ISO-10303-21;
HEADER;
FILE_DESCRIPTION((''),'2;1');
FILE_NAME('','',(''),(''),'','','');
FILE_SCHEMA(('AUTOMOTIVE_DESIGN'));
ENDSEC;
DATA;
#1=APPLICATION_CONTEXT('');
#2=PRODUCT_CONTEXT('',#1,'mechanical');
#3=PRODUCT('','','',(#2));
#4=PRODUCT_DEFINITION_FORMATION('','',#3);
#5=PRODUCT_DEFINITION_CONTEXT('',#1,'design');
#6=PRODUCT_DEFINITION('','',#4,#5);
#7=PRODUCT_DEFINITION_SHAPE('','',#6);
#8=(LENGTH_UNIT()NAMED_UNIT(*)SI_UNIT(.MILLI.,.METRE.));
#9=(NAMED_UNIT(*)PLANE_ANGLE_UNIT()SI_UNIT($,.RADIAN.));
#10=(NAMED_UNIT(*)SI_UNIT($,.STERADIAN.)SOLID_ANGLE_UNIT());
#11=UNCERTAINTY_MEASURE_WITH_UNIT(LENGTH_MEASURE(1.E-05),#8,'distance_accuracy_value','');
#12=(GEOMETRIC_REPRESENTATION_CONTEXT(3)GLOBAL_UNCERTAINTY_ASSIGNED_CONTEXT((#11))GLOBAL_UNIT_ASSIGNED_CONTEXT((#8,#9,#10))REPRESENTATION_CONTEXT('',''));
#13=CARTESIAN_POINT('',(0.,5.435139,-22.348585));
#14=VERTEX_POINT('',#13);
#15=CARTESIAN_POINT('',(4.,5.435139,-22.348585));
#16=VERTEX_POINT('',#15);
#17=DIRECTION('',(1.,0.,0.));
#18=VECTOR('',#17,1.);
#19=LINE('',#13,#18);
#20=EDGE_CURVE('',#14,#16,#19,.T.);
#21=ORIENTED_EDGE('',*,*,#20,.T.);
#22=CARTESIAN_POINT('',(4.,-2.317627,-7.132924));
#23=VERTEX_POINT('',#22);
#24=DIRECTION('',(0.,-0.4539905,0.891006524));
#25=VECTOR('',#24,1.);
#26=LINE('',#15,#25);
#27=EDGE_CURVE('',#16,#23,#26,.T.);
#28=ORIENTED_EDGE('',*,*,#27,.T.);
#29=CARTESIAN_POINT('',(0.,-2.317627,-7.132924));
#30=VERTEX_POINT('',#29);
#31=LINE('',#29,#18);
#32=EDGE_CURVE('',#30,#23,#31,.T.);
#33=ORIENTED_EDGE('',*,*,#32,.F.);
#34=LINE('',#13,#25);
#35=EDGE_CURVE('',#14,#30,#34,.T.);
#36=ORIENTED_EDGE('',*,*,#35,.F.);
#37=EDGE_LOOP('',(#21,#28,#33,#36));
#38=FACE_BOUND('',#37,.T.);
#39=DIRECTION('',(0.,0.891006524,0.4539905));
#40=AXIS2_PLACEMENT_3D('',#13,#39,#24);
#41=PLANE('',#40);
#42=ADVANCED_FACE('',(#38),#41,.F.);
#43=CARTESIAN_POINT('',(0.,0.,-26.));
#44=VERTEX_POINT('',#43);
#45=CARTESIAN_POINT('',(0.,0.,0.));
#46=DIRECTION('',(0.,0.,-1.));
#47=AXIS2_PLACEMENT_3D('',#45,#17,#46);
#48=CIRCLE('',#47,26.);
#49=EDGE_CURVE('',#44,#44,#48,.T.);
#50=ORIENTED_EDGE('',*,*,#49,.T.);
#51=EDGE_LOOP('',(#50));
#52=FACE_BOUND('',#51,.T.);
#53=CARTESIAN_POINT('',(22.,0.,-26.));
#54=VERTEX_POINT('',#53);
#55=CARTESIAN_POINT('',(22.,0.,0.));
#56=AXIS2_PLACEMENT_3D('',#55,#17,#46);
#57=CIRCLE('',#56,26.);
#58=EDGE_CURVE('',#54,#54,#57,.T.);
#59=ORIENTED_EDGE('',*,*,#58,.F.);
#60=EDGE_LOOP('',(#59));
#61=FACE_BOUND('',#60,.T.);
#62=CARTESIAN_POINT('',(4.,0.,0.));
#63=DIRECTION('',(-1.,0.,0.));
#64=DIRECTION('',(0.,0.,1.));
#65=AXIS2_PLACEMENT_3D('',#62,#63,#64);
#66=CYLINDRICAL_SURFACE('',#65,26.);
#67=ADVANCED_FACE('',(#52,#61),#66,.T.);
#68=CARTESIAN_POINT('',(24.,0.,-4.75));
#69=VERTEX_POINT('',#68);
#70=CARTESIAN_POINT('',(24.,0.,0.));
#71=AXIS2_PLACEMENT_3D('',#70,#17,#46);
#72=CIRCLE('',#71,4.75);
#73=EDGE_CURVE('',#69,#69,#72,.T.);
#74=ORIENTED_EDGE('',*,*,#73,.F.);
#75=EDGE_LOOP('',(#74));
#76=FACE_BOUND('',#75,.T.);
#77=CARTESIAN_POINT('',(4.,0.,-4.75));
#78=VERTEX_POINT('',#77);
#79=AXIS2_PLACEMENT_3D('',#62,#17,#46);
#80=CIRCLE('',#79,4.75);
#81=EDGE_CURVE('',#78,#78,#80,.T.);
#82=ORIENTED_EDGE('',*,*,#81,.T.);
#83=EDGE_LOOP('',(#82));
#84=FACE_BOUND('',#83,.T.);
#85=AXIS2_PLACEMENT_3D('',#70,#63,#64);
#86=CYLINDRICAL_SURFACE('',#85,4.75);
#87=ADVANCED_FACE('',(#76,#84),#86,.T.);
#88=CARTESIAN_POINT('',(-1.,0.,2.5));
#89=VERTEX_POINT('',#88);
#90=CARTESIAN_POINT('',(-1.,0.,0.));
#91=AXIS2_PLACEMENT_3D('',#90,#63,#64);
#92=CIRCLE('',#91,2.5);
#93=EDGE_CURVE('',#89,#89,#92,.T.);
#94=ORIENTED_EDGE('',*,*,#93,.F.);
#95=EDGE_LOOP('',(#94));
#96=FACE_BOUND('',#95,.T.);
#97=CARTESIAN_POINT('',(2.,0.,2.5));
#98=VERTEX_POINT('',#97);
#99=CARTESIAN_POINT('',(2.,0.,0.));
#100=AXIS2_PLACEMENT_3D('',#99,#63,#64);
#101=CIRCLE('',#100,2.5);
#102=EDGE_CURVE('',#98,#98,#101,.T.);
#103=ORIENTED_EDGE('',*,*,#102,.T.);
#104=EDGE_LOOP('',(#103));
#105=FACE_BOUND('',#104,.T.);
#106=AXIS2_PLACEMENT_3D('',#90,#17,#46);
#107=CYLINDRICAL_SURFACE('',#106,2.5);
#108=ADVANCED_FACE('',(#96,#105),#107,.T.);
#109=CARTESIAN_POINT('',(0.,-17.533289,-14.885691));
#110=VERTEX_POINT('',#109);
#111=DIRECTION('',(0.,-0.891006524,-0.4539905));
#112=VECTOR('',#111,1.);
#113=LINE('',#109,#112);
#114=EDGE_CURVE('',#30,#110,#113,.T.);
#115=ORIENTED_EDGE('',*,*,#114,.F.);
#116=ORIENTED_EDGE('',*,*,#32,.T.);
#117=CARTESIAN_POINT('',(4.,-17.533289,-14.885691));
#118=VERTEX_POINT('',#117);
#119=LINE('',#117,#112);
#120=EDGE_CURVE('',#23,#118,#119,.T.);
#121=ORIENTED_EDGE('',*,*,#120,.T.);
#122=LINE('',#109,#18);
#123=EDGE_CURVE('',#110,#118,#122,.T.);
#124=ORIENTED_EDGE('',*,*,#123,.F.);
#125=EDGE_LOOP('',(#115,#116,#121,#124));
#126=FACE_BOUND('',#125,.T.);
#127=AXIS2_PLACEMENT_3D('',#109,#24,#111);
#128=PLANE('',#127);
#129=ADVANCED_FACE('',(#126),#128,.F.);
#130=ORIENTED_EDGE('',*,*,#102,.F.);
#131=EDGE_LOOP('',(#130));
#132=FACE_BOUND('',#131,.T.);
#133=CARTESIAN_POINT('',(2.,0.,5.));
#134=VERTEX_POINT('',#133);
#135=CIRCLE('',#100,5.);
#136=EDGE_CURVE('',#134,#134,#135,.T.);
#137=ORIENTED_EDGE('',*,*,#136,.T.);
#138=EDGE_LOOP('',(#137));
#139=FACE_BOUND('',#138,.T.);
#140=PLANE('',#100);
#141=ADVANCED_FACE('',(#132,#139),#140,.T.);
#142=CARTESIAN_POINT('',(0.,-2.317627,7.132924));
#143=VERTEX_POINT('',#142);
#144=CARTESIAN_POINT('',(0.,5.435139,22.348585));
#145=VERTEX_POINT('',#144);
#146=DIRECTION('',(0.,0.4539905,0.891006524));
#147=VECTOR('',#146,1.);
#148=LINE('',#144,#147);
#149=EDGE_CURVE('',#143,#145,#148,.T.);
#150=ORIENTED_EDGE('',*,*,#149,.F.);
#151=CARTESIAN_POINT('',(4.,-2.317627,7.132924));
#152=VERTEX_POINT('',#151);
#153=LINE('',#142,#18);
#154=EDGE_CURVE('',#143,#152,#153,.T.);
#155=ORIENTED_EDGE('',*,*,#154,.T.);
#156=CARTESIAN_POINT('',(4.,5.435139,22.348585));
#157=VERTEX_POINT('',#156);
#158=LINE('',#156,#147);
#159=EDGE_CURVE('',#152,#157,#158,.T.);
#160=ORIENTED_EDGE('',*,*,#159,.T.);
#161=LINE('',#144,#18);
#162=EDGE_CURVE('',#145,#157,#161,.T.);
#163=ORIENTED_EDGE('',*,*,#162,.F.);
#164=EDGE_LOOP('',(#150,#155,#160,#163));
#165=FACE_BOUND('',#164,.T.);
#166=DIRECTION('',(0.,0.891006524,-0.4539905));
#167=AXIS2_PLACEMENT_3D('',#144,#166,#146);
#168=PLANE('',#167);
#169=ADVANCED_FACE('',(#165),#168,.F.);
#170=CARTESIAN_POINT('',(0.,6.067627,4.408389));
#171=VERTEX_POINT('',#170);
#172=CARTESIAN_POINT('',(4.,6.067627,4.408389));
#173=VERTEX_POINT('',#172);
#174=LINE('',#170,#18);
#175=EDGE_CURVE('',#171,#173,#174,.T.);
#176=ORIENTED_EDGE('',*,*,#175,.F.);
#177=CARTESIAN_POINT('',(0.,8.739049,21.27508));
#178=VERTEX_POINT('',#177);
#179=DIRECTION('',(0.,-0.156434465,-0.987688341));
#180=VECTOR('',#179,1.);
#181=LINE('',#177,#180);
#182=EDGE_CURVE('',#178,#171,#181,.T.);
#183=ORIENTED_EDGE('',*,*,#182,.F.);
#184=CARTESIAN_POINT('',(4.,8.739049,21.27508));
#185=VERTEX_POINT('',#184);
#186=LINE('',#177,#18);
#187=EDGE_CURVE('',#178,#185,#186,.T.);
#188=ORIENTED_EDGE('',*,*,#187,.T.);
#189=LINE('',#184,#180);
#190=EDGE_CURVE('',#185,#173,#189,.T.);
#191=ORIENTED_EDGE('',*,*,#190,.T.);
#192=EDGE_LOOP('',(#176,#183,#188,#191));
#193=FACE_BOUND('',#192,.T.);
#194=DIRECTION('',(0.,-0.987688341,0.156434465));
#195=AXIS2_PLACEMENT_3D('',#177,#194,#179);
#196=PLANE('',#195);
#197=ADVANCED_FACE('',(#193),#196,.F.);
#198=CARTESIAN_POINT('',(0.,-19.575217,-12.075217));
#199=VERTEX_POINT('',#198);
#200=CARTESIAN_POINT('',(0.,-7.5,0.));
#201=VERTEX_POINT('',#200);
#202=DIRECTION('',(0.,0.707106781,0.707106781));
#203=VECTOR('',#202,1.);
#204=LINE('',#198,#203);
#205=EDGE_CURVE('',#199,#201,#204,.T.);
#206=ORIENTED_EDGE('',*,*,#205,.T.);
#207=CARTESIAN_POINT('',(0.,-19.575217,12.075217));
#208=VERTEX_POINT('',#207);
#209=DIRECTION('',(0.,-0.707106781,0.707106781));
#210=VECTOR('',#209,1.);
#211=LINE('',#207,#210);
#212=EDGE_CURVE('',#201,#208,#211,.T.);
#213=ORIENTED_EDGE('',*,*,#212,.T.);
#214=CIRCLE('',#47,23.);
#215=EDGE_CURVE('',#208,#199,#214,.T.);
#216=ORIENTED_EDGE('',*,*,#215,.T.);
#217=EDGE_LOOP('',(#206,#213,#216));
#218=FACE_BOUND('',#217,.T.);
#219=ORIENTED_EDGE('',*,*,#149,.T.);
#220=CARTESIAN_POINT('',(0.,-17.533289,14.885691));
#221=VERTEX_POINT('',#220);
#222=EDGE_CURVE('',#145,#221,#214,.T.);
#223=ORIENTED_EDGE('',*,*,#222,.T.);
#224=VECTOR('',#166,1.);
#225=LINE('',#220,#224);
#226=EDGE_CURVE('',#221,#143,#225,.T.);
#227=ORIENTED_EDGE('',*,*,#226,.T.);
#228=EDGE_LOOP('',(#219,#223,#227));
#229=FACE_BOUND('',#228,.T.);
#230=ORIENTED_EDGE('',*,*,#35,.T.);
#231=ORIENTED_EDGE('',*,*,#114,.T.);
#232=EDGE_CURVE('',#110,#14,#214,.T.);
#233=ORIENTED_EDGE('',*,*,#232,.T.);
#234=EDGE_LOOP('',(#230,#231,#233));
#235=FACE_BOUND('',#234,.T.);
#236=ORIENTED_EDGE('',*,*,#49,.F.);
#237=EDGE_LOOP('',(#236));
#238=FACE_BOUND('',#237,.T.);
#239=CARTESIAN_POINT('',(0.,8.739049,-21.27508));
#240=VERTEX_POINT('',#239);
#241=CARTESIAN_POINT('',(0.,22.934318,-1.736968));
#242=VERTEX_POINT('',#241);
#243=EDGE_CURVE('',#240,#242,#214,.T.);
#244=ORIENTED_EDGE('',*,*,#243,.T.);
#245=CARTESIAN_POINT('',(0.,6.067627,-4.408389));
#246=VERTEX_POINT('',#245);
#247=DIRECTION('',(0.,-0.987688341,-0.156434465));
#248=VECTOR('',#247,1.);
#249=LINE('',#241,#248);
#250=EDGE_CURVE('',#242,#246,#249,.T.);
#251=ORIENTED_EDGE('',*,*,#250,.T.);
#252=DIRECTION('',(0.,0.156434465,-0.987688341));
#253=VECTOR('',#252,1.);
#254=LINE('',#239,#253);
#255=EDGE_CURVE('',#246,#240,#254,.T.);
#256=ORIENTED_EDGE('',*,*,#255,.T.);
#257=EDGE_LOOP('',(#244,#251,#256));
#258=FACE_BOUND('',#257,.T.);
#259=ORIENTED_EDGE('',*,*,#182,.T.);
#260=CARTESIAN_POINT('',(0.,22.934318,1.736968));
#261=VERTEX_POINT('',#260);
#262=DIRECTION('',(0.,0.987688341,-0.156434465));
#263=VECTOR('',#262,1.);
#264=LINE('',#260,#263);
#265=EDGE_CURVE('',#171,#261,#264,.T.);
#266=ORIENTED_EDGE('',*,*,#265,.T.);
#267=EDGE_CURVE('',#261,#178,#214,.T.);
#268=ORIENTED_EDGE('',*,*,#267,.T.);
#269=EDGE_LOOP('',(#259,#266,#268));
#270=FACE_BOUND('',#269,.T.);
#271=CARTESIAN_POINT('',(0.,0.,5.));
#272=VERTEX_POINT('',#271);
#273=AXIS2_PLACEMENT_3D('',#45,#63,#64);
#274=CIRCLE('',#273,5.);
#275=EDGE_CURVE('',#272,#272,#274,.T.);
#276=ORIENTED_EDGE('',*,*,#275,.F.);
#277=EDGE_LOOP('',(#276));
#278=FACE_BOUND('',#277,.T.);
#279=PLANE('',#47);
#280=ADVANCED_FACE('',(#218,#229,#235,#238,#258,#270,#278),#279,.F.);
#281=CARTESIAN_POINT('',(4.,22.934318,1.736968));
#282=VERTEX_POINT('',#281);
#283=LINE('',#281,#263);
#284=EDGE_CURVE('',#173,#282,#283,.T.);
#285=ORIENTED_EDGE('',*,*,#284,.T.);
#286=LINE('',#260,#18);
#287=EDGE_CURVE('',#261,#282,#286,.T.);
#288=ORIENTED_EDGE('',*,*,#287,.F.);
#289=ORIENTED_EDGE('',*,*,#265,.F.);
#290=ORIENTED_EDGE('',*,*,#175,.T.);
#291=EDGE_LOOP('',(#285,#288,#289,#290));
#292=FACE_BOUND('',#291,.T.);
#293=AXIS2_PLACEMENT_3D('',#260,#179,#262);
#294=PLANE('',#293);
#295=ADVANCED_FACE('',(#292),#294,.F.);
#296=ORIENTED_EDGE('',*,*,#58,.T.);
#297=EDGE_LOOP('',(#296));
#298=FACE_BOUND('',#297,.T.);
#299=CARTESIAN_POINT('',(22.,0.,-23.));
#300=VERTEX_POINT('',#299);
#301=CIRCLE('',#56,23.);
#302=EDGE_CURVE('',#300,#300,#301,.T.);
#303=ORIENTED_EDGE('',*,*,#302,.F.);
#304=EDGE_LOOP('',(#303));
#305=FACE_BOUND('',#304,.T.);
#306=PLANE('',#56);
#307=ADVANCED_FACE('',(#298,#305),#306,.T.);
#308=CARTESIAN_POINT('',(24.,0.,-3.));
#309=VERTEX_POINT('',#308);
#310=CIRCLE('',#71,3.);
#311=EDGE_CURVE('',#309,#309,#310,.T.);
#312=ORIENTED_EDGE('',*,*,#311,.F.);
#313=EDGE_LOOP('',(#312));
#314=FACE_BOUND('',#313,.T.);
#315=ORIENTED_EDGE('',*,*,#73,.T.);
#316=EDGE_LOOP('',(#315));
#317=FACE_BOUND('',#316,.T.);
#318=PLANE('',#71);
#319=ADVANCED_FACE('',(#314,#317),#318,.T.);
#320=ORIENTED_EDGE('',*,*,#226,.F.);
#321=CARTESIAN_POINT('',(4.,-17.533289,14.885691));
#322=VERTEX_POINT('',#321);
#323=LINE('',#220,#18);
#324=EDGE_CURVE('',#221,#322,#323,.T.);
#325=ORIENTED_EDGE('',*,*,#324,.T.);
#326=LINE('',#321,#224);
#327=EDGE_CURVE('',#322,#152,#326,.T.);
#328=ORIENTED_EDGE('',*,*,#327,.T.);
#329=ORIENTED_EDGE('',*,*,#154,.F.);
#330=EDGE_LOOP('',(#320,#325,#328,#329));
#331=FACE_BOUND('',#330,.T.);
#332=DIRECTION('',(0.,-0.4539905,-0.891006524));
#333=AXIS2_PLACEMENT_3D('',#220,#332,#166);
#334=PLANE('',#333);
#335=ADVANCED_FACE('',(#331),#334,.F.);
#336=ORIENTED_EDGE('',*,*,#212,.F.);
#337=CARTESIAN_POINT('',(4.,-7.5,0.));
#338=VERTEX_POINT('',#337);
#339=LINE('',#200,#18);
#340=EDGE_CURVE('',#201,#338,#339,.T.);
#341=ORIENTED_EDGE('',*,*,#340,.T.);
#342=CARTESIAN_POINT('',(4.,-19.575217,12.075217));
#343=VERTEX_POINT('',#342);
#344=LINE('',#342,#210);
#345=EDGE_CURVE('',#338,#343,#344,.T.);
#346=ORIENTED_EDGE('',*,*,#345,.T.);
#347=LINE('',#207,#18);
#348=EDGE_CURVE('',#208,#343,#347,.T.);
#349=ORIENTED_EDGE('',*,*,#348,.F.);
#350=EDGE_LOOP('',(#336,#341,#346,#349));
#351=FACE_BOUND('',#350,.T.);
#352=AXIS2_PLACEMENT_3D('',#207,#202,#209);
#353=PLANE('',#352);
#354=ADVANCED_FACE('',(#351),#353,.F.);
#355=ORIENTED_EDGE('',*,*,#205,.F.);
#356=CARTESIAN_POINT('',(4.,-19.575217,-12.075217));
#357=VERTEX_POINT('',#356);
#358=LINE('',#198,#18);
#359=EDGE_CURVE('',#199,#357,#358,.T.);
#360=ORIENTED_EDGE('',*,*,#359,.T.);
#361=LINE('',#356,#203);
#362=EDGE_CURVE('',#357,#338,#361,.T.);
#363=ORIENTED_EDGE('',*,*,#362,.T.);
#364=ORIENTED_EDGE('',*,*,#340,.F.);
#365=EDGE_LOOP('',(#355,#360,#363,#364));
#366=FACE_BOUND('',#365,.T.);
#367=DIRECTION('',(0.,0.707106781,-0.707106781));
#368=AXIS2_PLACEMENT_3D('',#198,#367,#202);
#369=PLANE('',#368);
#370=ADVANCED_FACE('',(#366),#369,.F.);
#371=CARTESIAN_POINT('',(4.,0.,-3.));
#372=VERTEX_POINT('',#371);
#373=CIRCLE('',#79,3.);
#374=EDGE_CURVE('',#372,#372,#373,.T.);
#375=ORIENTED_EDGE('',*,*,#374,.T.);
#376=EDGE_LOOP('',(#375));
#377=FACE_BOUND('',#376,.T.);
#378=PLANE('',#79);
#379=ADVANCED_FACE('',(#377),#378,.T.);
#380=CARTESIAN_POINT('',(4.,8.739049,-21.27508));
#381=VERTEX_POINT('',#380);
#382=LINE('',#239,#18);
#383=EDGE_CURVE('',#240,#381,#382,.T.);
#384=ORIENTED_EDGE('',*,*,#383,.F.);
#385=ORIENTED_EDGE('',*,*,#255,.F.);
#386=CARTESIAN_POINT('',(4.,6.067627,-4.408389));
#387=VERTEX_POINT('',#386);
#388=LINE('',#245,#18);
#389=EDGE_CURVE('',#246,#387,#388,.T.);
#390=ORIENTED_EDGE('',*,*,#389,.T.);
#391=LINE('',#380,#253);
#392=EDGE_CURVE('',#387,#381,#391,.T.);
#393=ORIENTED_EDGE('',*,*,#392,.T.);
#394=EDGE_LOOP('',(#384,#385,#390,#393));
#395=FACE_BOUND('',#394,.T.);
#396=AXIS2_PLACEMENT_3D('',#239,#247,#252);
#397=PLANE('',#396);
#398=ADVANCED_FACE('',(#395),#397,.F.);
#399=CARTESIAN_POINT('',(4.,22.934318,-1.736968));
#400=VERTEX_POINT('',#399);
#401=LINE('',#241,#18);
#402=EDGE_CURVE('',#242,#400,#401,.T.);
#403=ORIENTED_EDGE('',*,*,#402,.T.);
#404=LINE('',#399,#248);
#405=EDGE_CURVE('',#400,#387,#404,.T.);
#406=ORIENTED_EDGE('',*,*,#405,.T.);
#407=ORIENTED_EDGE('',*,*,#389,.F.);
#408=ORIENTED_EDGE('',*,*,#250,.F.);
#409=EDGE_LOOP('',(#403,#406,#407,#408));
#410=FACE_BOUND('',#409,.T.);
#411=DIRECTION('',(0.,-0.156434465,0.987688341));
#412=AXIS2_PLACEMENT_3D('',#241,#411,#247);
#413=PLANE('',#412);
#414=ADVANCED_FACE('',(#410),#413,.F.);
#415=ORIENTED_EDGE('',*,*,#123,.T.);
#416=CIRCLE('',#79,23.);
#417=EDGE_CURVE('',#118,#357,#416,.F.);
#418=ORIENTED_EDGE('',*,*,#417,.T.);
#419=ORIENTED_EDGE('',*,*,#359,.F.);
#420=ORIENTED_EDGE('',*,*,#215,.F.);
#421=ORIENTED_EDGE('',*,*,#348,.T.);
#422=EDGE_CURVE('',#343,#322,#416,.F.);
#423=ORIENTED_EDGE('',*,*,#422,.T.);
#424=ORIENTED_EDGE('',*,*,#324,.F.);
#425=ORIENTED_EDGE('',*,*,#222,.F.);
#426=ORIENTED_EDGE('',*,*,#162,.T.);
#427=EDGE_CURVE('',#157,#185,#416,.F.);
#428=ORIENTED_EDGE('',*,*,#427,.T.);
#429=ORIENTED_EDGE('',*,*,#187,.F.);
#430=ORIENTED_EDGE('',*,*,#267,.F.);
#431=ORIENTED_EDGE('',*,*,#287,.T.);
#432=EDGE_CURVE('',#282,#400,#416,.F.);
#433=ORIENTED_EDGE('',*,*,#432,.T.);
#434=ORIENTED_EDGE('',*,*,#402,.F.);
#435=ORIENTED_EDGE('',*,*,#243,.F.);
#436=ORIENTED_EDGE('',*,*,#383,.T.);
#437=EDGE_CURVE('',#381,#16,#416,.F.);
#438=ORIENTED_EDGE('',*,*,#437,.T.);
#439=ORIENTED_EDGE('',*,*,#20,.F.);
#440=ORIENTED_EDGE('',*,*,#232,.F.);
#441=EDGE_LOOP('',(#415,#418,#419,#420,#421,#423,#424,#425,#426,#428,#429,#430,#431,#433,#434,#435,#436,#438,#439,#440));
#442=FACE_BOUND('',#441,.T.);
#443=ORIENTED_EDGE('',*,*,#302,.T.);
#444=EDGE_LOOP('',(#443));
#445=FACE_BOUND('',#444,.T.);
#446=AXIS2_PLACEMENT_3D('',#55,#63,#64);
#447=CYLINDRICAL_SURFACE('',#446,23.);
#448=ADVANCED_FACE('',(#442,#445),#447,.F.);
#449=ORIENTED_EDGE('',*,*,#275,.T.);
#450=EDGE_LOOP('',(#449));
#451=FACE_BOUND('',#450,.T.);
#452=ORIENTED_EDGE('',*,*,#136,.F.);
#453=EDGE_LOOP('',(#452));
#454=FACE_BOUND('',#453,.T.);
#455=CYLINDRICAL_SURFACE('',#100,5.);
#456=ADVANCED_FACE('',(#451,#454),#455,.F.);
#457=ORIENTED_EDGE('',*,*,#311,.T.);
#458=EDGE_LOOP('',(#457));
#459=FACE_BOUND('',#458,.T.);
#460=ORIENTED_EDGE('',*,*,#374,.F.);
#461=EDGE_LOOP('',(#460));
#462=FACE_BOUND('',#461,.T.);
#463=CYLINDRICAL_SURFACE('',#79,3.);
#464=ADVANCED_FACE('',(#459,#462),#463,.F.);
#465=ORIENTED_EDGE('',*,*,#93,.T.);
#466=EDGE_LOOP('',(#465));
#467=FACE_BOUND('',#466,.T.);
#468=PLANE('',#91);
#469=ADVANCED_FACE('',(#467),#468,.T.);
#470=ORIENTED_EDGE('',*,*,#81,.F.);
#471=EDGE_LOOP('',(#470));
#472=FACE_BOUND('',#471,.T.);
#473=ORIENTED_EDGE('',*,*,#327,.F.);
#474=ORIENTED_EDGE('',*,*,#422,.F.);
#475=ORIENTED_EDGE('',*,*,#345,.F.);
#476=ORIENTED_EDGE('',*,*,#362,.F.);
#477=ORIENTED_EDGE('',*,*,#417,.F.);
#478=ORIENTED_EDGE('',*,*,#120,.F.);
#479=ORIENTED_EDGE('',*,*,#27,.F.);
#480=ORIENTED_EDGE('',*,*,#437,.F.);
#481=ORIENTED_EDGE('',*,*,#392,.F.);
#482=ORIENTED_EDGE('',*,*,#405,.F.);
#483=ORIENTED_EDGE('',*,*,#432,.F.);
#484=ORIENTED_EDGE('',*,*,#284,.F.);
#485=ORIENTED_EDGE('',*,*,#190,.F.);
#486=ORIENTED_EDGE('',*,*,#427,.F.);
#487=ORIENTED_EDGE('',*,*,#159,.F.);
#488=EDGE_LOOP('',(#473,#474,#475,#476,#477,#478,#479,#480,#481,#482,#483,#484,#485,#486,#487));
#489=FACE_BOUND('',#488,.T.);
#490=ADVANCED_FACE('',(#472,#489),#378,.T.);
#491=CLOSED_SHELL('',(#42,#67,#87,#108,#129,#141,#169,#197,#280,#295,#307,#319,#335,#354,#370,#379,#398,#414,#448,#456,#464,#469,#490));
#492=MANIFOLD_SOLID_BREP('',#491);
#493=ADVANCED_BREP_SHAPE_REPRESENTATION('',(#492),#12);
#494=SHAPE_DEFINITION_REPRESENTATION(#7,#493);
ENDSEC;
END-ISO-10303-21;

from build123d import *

# Parameters (mm, degrees)
SKETCH_1_R          = 26
EXTRUDE_1_DEPTH     = 4
SKETCH_2_R          = 4.75
EXTRUDE_2_DEPTH     = 20
SKETCH_3_R          = 3
CUT_EXTRUDE_1_DEPTH = 20
SKETCH_4_R          = 26
SKETCH_4_R_2        = 23
EXTRUDE_3_DEPTH     = 18
CUT_EXTRUDE_2_DEPTH = 5
SKETCH_6_R          = 5
CUT_EXTRUDE_3_DEPTH = 2
SKETCH_7_R          = 2.5
EXTRUDE_4_DEPTH     = 3


with BuildPart() as part:
    # 草图1 → 凸台-拉伸1 (new body)
    with BuildSketch(Plane(origin=(0, 0, 0), x_dir=(0, 0, -1), z_dir=(1, 0, 0))):
        Circle(SKETCH_1_R)
    extrude(amount=EXTRUDE_1_DEPTH)

    # 草图2 → 凸台-拉伸2 (add)
    with BuildSketch(Plane(origin=(4, 0, 0), x_dir=(0, 0, -1), z_dir=(1, 0, 0))):
        Circle(SKETCH_2_R)
    extrude(amount=EXTRUDE_2_DEPTH)

    # 草图3 → 切除-拉伸1 (cut)
    with BuildSketch(Plane(origin=(24, 0, 0), x_dir=(0, 0, -1), z_dir=(1, 0, 0))):
        Circle(SKETCH_3_R)
    extrude(amount=-CUT_EXTRUDE_1_DEPTH, mode=Mode.SUBTRACT)

    # 草图4 → 凸台-拉伸3 (add)
    with BuildSketch(Plane(origin=(4, 0, 0), x_dir=(0, 0, -1), z_dir=(1, 0, 0))):
        Circle(SKETCH_4_R)
        Circle(SKETCH_4_R_2, mode=Mode.SUBTRACT)
    extrude(amount=EXTRUDE_3_DEPTH)

    # 草图5 → 切除-拉伸2 (cut, through all)
    with BuildSketch(Plane(origin=(4, 0, 0), x_dir=(0, 0, -1), z_dir=(1, 0, 0))):
        with BuildLine():
            Line((-21.275079931, 8.739048799), (-4.408389392, 6.067627458))
            Line((-4.408389392, 6.067627458), (-1.736968051, 22.934317997))
            ThreePointArc((-1.736968051, 22.934317997), (-13.519060803, 18.607390871), (-21.275079931, 8.739048799))
        make_face()
        with BuildLine():
            Line((21.275079931, 8.739048799), (4.408389392, 6.067627458))
            Line((4.408389392, 6.067627458), (1.736968051, 22.934317997))
            ThreePointArc((1.736968051, 22.934317997), (13.519060803, 18.607390871), (21.275079931, 8.739048799))
        make_face()
        with BuildLine():
            Line((14.885690562, -17.53328881), (7.132923872, -2.317627458))
            Line((7.132923872, -2.317627458), (22.348585224, 5.435139232))
            ThreePointArc((22.348585224, 5.435139232), (21.874299875, -7.107390871), (14.885690562, -17.53328881))
        make_face()
        with BuildLine():
            Line((-12.075217218, -19.575217218), (0, -7.5))
            Line((0, -7.5), (12.075217218, -19.575217218))
            ThreePointArc((12.075217218, -19.575217218), (0, -23), (-12.075217218, -19.575217218))
        make_face()
        with BuildLine():
            Line((-22.348585224, 5.435139232), (-7.132923872, -2.317627458))
            Line((-7.132923872, -2.317627458), (-14.885690562, -17.53328881))
            ThreePointArc((-14.885690562, -17.53328881), (-21.874299875, -7.107390871), (-22.348585224, 5.435139232))
        make_face()
    extrude(amount=-CUT_EXTRUDE_2_DEPTH, mode=Mode.SUBTRACT)

    # 草图6 → 切除-拉伸3 (cut)
    with BuildSketch(Plane.ZY):
        Circle(SKETCH_6_R)
    extrude(amount=-CUT_EXTRUDE_3_DEPTH, mode=Mode.SUBTRACT)

    # 草图7 → 凸台-拉伸4 (add)
    with BuildSketch(Plane.ZY.offset(-2)):
        Circle(SKETCH_7_R)
    extrude(amount=EXTRUDE_4_DEPTH)


solid = part.part
